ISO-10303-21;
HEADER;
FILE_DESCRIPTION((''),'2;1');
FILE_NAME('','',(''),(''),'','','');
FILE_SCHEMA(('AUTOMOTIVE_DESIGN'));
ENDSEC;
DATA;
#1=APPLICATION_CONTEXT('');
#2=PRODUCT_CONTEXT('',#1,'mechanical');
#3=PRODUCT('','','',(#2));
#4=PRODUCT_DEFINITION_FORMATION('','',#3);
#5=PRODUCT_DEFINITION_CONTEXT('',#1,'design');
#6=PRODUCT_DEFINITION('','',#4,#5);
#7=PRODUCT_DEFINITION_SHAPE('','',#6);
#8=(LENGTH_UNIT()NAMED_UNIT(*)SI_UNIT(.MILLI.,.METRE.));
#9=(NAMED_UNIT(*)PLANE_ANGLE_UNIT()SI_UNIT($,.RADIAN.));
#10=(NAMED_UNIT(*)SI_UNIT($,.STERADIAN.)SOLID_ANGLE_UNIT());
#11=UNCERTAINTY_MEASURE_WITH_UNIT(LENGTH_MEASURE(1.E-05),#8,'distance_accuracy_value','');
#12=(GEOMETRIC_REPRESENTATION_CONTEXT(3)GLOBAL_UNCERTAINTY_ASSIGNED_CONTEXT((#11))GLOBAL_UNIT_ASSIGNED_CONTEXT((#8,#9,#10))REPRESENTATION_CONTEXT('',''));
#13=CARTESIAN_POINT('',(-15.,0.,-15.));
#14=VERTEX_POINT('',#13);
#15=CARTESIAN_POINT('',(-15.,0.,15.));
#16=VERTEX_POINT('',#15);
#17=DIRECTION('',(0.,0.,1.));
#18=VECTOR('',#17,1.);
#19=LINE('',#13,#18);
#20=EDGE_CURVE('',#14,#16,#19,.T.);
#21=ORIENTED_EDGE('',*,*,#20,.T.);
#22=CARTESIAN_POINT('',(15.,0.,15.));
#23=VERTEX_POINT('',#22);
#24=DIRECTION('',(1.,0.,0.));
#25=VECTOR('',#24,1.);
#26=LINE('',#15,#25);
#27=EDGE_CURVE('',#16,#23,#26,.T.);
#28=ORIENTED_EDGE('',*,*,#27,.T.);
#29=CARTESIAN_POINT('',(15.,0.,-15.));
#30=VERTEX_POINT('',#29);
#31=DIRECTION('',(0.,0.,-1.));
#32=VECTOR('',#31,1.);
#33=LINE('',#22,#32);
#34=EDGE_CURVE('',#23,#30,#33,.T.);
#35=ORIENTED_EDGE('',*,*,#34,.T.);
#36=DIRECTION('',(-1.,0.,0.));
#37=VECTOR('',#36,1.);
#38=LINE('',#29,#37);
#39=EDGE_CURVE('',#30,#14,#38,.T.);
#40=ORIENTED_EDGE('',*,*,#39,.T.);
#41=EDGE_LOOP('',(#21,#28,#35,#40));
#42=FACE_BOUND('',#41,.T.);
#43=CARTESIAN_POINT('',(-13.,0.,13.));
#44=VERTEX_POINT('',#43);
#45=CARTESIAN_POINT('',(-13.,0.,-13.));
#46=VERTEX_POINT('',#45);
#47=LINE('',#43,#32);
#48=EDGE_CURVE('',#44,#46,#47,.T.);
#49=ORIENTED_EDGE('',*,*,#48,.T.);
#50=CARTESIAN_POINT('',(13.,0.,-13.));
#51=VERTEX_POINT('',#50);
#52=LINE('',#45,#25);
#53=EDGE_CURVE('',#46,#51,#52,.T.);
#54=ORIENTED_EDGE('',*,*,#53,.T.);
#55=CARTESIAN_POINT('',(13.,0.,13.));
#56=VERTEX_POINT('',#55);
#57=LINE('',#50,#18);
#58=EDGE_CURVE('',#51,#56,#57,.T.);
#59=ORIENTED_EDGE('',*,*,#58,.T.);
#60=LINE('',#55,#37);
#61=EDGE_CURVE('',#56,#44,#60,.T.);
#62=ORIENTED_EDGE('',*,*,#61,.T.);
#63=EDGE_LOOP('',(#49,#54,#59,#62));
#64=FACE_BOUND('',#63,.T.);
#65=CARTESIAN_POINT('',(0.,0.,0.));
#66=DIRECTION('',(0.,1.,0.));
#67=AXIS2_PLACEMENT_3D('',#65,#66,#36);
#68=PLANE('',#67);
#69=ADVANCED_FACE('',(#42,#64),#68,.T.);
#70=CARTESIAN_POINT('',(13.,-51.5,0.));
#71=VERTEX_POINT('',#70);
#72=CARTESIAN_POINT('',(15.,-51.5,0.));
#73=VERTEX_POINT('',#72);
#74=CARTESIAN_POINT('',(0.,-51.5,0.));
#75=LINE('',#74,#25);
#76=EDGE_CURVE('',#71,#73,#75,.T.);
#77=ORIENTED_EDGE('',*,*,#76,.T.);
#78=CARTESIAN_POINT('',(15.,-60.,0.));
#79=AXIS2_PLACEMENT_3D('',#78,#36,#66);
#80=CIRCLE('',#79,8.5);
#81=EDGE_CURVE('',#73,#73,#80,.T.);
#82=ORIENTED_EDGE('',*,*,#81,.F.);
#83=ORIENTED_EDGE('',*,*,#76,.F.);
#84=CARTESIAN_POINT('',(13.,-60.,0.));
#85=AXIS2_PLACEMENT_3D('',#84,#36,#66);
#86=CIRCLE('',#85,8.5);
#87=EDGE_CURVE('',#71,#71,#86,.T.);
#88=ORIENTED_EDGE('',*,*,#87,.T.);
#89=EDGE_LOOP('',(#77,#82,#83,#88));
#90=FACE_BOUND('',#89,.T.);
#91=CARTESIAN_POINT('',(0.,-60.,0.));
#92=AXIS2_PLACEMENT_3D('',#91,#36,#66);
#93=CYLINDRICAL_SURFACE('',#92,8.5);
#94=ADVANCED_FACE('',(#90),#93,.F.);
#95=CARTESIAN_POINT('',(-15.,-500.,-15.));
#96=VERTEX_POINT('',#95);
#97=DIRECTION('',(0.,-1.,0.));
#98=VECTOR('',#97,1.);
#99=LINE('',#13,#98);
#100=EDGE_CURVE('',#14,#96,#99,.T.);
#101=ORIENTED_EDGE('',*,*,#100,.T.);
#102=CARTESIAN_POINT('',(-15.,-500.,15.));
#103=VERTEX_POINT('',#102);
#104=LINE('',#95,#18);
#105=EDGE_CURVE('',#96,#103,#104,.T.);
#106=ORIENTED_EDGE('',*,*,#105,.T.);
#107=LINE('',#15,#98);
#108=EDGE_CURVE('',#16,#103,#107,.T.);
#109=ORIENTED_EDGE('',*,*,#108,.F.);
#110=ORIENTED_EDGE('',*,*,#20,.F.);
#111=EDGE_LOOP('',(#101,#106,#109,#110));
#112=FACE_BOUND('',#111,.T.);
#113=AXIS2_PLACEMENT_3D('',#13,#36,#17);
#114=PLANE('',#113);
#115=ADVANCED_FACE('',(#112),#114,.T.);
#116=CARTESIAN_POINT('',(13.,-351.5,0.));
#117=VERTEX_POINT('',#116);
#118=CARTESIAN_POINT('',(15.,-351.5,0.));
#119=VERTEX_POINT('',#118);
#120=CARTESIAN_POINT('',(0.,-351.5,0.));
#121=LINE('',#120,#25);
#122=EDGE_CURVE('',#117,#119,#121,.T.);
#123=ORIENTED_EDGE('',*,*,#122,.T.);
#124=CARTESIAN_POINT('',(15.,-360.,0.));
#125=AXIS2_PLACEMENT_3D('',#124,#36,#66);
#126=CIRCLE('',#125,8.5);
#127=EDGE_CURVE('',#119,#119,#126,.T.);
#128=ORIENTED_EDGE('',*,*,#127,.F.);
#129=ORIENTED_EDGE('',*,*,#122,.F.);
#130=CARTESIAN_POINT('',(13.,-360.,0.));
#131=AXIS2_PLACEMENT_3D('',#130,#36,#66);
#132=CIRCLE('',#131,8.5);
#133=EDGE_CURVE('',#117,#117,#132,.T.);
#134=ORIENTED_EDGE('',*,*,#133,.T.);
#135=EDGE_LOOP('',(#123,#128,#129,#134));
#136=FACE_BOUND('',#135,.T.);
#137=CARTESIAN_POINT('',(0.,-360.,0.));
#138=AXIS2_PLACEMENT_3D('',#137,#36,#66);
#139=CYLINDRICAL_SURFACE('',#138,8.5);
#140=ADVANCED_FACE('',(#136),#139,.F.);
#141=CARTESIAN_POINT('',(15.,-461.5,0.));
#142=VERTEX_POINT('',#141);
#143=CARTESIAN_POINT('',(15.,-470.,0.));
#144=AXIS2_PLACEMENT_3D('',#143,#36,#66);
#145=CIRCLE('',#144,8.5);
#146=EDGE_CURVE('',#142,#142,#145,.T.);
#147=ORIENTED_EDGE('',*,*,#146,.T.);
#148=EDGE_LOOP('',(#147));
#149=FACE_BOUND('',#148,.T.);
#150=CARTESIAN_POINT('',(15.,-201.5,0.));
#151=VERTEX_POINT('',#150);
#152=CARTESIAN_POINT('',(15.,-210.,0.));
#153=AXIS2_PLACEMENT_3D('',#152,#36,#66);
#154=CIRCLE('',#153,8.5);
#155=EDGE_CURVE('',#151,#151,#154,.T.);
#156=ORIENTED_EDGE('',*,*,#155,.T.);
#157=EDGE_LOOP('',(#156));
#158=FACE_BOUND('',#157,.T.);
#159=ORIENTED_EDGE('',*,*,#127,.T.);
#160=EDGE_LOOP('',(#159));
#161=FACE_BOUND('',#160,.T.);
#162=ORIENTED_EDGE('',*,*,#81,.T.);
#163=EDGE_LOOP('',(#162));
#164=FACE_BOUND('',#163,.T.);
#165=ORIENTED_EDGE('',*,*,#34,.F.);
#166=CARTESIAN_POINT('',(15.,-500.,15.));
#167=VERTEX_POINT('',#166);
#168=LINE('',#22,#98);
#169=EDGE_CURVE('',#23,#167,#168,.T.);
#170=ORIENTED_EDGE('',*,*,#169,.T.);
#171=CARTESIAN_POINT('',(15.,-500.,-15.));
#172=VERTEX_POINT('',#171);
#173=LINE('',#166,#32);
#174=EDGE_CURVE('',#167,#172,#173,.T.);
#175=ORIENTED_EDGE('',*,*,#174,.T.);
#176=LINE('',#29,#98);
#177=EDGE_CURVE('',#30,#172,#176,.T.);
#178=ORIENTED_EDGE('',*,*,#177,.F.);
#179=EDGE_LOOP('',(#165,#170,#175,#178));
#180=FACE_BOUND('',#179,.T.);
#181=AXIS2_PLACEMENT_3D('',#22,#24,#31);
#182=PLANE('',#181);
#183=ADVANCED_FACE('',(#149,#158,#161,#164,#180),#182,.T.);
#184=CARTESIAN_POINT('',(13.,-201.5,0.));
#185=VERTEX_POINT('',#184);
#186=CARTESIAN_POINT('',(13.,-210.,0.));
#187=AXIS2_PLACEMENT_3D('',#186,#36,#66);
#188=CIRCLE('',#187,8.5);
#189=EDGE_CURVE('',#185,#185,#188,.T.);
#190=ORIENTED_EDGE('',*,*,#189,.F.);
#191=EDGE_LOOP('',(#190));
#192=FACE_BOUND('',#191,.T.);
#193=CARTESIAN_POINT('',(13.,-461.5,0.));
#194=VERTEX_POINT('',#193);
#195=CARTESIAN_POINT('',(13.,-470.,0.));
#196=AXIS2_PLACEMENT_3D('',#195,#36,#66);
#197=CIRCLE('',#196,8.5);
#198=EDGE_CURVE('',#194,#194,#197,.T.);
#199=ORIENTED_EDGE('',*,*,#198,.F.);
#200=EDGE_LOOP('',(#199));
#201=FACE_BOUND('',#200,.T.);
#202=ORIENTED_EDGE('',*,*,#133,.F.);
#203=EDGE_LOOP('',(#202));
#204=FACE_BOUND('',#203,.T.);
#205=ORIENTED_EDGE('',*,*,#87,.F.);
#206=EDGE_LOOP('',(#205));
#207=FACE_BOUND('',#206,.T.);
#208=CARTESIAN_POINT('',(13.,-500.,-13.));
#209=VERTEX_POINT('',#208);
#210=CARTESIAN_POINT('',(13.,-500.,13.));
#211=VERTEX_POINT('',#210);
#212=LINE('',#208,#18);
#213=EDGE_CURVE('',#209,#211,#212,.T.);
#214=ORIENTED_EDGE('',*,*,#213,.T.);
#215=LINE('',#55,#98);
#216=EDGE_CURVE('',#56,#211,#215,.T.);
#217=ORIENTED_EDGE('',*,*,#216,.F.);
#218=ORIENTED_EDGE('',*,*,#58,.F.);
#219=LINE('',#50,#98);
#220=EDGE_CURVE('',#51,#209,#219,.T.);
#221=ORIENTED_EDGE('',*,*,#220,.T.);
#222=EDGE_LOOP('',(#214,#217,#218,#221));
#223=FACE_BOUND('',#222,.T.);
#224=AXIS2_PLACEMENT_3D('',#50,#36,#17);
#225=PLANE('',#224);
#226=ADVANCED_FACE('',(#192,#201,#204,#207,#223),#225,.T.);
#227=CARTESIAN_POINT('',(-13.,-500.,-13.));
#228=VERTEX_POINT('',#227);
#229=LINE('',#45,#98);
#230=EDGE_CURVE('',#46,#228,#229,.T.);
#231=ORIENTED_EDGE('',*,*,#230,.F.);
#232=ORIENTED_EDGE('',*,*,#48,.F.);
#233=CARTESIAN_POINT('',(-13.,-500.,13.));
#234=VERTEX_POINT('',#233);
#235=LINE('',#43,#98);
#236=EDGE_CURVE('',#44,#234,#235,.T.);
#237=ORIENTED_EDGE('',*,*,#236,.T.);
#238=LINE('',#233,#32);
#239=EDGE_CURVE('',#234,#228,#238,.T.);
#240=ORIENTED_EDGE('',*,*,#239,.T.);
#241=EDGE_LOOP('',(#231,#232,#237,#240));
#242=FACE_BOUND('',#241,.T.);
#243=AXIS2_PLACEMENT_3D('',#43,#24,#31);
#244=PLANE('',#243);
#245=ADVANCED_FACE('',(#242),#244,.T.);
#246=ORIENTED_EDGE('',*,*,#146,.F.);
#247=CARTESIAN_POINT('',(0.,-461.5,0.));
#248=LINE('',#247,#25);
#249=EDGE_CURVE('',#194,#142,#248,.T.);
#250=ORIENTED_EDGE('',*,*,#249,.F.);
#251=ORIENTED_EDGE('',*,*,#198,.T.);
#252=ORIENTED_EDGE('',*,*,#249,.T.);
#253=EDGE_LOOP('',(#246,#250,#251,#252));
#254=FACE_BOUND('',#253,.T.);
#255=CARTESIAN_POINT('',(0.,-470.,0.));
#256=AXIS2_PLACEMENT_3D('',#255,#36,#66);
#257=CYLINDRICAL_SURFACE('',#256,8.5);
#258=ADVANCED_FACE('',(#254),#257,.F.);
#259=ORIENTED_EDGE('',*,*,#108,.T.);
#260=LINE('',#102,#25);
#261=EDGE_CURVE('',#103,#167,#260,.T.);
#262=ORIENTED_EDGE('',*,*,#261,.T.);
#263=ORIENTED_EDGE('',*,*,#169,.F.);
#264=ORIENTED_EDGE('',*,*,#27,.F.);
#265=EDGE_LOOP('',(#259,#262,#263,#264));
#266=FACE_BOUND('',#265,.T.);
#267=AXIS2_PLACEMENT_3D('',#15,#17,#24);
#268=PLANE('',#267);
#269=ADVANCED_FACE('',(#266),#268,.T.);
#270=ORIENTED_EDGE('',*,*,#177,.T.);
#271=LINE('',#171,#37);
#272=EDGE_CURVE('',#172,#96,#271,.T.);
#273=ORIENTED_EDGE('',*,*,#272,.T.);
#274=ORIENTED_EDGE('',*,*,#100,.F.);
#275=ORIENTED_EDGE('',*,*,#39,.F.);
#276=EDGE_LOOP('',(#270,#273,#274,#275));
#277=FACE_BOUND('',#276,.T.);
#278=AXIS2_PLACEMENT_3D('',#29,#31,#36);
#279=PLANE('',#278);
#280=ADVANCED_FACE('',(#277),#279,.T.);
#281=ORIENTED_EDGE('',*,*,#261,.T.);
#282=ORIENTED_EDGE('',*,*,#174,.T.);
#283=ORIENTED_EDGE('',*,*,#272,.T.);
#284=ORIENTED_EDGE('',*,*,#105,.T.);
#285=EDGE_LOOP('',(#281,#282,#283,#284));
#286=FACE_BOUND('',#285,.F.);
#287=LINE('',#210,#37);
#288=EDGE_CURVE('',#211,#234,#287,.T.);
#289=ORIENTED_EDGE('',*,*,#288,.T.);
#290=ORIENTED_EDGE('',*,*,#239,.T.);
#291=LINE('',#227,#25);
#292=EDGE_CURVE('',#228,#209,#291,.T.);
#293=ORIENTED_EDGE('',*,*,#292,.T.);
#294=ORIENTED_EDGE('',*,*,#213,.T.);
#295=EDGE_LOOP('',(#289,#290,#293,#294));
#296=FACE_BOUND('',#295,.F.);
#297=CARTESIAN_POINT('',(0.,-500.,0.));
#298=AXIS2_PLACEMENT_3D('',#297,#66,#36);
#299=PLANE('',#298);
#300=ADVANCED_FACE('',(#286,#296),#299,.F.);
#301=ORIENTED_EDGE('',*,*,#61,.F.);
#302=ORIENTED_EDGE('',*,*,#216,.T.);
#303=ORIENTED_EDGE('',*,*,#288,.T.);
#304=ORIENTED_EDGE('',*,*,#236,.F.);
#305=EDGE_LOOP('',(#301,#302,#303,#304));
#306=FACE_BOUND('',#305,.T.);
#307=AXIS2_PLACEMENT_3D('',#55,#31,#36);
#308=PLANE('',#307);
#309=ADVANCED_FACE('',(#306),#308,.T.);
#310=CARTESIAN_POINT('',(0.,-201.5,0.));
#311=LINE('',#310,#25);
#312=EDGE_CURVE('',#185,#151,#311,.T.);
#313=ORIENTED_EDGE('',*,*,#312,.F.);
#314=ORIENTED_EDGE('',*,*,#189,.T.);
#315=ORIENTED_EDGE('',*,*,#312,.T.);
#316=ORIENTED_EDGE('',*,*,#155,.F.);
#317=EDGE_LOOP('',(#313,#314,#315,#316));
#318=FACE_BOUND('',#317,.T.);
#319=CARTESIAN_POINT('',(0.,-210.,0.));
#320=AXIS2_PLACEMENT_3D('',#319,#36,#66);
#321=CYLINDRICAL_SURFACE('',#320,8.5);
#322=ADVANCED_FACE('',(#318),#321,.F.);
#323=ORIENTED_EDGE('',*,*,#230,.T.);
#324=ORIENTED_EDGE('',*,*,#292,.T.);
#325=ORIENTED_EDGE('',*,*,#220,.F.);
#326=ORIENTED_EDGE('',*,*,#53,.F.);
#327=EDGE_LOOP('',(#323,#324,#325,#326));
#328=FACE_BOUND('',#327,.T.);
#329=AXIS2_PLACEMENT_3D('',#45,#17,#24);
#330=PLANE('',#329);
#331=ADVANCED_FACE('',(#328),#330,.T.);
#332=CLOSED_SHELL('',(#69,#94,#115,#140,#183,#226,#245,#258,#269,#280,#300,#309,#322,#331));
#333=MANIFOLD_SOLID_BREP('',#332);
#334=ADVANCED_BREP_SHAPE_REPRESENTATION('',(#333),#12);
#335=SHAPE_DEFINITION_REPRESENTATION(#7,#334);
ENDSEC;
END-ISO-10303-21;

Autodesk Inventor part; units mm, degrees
ref_plane "YZ Plane" through (0, 0, 0) normal (1, 0, 0) x (0, 1, 0)
ref_plane "XZ Plane" through (0, 0, 0) normal (0, 1, 0) x (-1, 0, 0)
ref_plane "XY Plane" through (0, 0, 0) normal (0, 0, 1) x (1, 0, 0)
sketch "Sketch9" plane through (0, 0, 0) normal (0, 1, 0) x (-1, 0, 0)
  line L0 (15, 15) -> (-15, 15)
  line L1 (-15, 15) -> (-15, -15)
  line L2 (-15, -15) -> (15, -15)
  line L3 (15, -15) -> (15, 15)
  line L4 (15, 15) -> (-15, -15) construction
  line L5 (-15, 15) -> (15, -15) construction
  line L6 (-13, 13) -> (13, 13)
  line L7 (13, 13) -> (13, -13)
  line L8 (13, -13) -> (-13, -13)
  line L9 (-13, -13) -> (-13, 13)
  point P0 (0, 0)
  dimension "d172" = 30
  dimension "d173" = 30
  dimension "d174" = 2
extrude "Extrusion3" add sketch "Sketch9" against normal blind 500
sketch "Sketch10" plane through (0, 0, 0) normal (1, 0, 0) x (0, 1, 0)
  line L0 (0, 15) -> (0, -15) construction
  line L1 (0, 15) -> (-500, 15) construction
  line L2 (-500, -15) -> (-500, 15) construction
  line L3 (0, -15) -> (-500, -15) construction
  line L4 (-68.5, 8.5) -> (-51.5, 8.5)
  line L5 (-51.5, 8.5) -> (-51.5, -8.5)
  line L6 (-51.5, -8.5) -> (-68.5, -8.5)
  line L7 (-68.5, -8.5) -> (-68.5, 8.5)
  line L8 (-68.5, 8.5) -> (-51.5, -8.5) construction
  line L9 (-51.5, 8.5) -> (-68.5, -8.5) construction
  line L10 (-218.5, 8.5) -> (-201.5, 8.5)
  line L11 (-201.5, 8.5) -> (-201.5, -8.5)
  line L12 (-201.5, -8.5) -> (-218.5, -8.5)
  line L13 (-218.5, -8.5) -> (-218.5, 8.5)
  line L14 (-218.5, 8.5) -> (-201.5, -8.5) construction
  line L15 (-201.5, 8.5) -> (-218.5, -8.5) construction
  line L16 (-368.5, 8.5) -> (-351.5, 8.5)
  line L17 (-351.5, 8.5) -> (-351.5, -8.5)
  line L18 (-351.5, -8.5) -> (-368.5, -8.5)
  line L19 (-368.5, -8.5) -> (-368.5, 8.5)
  line L20 (-368.5, 8.5) -> (-351.5, -8.5) construction
  line L21 (-351.5, 8.5) -> (-368.5, -8.5) construction
  circle A0 centre (-470, 0) radius 8.5
  line L22 (0, 0) -> (30, 0)
  circle A1 centre (-60, 0) radius 8.5
  circle A2 centre (-210, 0) radius 8.5
  circle A3 centre (-360, 0) radius 8.5
  dimension "d177" = 17
  dimension "d178" = 17
  dimension "d181" = 30
  dimension "d182" = 90
  dimension "d183" = 240
  dimension "d184" = 390
  dimension "d185" = 500
  dimension "d186" = 17
extrude "Extrusion4" cut sketch "Sketch10" along normal through all contours A1 | A2 | A3 | A0
properties part number "PNS 754 FDS 1200 way tube 1" material "Stainless Steel"
